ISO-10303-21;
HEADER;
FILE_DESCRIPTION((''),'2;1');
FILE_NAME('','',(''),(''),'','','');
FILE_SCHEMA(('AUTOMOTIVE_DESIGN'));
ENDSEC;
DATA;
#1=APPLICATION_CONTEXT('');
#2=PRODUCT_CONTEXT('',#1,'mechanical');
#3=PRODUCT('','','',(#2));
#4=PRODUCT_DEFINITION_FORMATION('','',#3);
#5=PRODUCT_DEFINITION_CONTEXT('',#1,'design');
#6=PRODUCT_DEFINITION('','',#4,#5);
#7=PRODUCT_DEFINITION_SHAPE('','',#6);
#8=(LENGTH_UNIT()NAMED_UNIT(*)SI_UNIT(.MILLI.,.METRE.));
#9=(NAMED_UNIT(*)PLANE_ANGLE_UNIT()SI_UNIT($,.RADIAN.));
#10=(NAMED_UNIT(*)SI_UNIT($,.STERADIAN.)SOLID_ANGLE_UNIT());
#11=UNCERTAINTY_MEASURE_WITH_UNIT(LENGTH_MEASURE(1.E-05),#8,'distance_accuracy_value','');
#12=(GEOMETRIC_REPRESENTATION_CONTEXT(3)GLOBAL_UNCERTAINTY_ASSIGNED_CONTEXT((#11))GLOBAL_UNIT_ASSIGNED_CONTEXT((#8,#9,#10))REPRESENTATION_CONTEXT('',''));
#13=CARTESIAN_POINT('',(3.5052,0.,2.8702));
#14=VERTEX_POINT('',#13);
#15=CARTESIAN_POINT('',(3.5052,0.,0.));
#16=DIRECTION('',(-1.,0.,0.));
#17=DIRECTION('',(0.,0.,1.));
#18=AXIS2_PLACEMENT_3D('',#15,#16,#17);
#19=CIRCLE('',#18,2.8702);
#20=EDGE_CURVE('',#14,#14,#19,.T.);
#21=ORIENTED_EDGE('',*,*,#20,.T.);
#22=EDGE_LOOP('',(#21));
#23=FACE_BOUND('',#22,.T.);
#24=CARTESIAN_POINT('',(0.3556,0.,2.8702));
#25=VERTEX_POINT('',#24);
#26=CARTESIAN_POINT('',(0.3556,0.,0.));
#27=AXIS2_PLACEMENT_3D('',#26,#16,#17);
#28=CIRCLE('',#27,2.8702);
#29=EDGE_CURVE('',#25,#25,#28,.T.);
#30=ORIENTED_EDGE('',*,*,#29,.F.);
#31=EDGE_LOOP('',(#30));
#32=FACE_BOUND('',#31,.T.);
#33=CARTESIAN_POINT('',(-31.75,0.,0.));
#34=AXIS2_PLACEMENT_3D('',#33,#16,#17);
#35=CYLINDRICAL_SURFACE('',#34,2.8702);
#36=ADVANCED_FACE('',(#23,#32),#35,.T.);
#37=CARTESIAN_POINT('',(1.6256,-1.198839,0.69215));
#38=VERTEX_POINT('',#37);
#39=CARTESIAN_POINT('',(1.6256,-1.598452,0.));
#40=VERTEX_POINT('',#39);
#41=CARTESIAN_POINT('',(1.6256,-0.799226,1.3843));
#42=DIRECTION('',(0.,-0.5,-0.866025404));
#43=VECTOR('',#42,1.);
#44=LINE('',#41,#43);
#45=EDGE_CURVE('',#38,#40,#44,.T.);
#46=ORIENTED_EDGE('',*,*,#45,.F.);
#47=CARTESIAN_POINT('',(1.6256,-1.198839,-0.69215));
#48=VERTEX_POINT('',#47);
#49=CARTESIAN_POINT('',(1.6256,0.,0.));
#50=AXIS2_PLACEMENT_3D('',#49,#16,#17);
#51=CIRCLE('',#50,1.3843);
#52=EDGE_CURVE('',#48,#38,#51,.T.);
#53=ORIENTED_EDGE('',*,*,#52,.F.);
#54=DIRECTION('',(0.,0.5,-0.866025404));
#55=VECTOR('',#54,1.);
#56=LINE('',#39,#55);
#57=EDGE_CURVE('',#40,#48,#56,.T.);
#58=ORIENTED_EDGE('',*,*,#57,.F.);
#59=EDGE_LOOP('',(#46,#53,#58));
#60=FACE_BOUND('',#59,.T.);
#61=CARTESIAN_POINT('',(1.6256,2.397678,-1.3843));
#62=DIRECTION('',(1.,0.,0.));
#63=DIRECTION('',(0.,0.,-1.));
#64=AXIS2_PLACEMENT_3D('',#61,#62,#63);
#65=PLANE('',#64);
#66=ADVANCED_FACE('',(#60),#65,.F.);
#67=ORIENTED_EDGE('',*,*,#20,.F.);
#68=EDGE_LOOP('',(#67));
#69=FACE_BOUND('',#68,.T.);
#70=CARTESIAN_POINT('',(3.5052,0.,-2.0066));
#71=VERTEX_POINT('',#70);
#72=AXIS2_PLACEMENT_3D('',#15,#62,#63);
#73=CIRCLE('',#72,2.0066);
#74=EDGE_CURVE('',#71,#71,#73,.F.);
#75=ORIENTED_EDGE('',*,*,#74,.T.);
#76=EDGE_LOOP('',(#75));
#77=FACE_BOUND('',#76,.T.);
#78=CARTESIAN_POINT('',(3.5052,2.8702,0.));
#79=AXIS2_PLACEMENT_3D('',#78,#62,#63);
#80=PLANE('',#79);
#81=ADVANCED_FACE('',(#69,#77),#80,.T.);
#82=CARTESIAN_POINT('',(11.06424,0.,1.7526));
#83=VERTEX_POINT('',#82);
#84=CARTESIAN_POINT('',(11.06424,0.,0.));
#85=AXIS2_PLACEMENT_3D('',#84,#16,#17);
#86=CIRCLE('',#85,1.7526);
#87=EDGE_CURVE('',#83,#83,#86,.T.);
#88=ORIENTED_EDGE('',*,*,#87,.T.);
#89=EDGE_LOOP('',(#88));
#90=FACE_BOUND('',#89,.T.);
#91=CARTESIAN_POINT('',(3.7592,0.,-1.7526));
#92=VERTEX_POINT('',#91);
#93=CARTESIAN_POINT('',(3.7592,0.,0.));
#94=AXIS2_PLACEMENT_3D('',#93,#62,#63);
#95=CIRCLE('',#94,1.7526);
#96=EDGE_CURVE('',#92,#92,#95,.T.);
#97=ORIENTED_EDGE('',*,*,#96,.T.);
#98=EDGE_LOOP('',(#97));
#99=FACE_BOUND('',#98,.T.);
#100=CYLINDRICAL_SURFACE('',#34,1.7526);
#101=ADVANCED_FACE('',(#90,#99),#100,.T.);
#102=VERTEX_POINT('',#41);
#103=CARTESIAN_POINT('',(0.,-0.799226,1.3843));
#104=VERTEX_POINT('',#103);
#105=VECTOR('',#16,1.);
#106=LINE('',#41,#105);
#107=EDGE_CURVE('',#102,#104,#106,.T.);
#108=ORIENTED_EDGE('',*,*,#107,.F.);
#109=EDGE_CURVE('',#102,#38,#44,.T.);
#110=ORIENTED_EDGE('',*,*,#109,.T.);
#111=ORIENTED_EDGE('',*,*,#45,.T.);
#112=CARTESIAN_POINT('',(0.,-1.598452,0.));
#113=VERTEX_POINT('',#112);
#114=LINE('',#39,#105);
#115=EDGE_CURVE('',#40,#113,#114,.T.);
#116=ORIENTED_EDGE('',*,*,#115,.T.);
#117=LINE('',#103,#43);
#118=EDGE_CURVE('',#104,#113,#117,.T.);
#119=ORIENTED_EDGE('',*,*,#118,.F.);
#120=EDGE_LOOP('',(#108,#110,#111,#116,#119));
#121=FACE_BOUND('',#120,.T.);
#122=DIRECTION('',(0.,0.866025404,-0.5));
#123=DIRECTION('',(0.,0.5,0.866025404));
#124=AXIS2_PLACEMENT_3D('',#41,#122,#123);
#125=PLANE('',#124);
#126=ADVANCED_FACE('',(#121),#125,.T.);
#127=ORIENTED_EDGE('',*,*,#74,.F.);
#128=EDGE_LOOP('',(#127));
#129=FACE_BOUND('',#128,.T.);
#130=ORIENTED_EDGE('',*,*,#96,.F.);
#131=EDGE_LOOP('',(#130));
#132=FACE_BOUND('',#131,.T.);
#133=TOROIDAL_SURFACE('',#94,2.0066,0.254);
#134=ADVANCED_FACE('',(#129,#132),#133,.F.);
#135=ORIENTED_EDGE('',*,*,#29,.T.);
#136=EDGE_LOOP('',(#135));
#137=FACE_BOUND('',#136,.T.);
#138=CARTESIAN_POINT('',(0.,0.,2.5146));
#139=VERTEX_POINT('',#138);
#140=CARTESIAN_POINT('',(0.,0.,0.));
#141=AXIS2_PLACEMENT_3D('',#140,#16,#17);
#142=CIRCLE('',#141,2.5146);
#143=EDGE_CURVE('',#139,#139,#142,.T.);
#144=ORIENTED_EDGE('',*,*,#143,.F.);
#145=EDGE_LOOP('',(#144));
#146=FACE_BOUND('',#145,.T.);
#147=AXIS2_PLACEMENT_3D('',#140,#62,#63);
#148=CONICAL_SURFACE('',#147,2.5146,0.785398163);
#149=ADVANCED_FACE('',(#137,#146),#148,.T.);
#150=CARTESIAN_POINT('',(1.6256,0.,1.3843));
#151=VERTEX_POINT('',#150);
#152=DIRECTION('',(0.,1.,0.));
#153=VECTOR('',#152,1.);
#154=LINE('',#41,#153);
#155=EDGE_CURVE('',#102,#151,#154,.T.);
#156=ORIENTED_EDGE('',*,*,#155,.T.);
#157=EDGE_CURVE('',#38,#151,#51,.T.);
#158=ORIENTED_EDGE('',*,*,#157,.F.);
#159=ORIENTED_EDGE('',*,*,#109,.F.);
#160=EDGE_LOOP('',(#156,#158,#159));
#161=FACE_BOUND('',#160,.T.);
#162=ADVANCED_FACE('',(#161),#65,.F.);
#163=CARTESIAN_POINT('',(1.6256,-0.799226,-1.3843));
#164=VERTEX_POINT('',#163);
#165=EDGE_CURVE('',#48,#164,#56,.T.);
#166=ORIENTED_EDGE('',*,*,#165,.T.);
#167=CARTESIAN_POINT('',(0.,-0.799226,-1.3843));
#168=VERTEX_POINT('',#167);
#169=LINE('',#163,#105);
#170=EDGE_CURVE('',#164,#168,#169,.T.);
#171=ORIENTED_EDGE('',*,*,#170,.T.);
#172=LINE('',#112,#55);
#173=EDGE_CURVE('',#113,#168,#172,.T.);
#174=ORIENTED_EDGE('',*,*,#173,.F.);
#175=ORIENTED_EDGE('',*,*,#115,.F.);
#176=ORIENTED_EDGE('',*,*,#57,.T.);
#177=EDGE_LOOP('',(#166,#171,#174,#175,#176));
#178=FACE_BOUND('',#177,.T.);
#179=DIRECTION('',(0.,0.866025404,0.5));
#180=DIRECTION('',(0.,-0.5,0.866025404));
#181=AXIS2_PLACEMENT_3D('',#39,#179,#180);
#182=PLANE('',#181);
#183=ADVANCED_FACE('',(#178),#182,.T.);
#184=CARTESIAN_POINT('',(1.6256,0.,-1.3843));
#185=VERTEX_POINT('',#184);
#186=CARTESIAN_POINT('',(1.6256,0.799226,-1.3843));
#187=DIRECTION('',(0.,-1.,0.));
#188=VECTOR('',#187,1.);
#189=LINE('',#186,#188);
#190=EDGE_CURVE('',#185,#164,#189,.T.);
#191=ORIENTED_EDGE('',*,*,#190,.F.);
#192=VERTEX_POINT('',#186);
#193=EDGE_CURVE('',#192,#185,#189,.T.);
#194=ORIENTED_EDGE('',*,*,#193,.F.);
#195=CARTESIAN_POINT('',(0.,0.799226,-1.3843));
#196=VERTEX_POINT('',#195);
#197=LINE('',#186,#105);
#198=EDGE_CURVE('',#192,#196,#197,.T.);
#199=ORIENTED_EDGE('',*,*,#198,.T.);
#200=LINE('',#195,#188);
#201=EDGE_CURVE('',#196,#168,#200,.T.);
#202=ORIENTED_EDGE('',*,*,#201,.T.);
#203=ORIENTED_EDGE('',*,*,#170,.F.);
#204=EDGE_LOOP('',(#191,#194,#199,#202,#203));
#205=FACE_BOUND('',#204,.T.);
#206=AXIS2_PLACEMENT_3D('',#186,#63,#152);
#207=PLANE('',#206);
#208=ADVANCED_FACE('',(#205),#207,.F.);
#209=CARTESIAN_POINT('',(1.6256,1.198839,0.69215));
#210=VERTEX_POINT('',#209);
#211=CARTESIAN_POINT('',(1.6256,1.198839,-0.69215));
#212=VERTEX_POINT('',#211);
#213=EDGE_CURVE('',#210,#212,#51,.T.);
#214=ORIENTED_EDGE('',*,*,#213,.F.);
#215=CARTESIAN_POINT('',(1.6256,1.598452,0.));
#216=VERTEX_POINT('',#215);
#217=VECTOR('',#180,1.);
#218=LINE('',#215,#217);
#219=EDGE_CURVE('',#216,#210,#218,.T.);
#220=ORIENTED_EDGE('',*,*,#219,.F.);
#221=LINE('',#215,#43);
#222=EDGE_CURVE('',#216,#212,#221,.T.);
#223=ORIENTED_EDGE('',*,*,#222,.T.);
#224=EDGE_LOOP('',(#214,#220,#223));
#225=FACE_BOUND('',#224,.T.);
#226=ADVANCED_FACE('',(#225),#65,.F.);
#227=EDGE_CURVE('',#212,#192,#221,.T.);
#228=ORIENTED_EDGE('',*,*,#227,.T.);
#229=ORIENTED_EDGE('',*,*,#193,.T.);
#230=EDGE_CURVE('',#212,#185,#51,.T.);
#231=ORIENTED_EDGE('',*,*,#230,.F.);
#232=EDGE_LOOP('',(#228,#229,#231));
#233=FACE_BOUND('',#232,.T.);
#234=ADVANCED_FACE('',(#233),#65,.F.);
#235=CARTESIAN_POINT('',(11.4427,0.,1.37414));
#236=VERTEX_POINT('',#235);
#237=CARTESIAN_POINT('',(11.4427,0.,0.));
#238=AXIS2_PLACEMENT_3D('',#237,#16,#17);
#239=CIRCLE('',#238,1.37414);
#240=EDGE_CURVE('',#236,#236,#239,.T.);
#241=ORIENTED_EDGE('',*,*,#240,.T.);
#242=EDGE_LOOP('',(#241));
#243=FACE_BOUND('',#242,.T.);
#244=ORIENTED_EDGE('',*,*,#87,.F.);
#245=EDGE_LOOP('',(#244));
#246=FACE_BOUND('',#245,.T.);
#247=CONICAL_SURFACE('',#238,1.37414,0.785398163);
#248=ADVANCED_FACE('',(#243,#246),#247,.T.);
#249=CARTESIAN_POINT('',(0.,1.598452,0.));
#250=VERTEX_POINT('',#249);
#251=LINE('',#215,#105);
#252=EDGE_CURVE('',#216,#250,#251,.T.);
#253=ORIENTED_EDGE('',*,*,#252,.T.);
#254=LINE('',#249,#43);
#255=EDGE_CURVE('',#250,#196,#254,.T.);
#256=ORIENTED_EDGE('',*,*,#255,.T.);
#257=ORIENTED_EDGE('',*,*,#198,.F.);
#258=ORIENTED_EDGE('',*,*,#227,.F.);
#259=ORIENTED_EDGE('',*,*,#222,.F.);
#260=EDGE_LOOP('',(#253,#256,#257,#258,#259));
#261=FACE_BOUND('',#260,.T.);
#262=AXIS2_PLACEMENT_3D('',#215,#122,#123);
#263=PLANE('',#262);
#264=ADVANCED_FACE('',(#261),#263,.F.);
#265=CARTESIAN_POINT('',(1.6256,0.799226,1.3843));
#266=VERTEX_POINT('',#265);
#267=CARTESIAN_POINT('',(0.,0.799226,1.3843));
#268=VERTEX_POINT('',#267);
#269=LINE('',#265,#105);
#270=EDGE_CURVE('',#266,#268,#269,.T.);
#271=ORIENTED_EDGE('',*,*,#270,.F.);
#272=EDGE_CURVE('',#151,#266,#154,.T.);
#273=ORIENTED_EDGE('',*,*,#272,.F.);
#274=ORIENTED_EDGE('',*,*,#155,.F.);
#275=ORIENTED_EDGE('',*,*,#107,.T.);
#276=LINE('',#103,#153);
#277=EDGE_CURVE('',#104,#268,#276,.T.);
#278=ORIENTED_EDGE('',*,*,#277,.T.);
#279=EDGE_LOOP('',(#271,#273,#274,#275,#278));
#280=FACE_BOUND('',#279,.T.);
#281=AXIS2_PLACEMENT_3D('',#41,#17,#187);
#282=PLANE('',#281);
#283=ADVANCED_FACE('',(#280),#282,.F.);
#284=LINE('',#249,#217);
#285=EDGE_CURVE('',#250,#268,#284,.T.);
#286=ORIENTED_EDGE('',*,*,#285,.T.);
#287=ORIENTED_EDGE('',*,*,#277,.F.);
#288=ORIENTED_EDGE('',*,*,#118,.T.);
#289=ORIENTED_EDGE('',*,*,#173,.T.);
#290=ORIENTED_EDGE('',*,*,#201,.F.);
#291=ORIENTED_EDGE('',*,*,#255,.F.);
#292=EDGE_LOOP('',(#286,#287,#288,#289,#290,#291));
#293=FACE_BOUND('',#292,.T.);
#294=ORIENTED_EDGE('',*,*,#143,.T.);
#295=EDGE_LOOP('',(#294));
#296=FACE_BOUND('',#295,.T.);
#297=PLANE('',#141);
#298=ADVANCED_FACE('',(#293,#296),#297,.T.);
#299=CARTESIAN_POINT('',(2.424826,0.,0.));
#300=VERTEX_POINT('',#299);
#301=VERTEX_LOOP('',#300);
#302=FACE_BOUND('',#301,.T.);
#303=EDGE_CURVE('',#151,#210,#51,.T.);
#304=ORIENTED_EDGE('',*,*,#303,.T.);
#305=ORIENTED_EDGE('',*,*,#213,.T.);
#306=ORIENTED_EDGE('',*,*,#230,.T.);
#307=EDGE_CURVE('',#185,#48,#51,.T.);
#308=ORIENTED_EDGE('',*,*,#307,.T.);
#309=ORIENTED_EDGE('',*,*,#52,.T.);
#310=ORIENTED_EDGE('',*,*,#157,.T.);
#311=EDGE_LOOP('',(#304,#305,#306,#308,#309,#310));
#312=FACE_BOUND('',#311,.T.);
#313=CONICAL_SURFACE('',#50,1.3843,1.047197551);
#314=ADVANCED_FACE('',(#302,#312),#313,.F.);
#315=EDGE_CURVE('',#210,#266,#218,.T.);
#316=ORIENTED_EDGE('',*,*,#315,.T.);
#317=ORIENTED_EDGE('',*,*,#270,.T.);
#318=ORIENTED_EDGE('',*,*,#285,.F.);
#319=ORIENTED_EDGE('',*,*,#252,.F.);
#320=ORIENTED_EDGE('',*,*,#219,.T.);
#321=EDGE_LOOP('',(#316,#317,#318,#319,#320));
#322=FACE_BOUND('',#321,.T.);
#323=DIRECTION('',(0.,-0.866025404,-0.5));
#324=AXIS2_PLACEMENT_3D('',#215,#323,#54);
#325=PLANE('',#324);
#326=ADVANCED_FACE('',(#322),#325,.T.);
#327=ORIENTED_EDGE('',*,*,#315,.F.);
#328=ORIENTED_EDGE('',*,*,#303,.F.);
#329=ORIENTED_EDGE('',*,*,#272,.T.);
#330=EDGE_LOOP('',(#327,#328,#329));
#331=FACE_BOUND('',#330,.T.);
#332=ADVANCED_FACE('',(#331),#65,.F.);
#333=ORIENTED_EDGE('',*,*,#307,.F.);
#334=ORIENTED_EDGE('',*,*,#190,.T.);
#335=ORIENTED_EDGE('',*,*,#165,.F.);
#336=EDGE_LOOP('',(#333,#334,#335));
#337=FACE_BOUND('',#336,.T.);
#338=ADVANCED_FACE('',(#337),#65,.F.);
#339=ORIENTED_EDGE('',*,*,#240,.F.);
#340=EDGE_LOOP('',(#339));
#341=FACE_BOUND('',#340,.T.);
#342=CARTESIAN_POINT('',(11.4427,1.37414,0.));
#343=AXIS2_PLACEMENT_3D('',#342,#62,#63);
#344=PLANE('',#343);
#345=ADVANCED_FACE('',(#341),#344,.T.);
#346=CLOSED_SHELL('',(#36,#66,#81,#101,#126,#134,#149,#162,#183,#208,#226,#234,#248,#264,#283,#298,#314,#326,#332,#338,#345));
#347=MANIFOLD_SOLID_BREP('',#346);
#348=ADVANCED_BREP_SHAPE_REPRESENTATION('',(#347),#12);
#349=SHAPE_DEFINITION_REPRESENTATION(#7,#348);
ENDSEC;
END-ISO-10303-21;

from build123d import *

# Parameters (mm, degrees)
FILLET1_R   = 0.254
HEX_2_DEPTH = 1.6256


with BuildPart() as part:
    # BodySke → Base-Revolve (revolve)
    with BuildSketch(Plane.XY):
        Polygon((0, 0), (0, 2.5146), (0.3556, 2.8702), (3.5052, 2.8702), (3.5052, 1.7526), (11.06424, 1.7526), (11.4427, 1.37414), (11.4427, 0), align=None)
    revolve(axis=Axis((-31.75, 0, 0), (1, 0, 0)))

    # Fillet1
    fillet1_edges = [part.edges().sort_by_distance(p)[0] for p in [
        (3.5052, -1.7526, 0),
    ]]
    fillet(fillet1_edges, radius=FILLET1_R)

    # Sketch2 → Hex-PreBroach (revolve, cut)
    with BuildSketch(Plane.XY):
        Polygon((0, 1.3843), (1.6256, 1.3843), (2.424825978, 0), (0, 0), align=None)
    revolve(axis=Axis((0, 0, 0), (1, 0, 0)), mode=Mode.SUBTRACT)

    # Sketch3 → Hex 2 (cut)
    with BuildSketch(Plane(origin=(0, 0, 0), x_dir=(0, 0.5, 0.866025404), z_dir=(-1, 0, 0))):
        Polygon((0.799225978, 1.3843), (-0.799225978, 1.3843), (-1.598451955, 0), (-0.799225978, -1.3843), (0.799225978, -1.3843), (1.598451955, 0), align=None)
    extrude(amount=-HEX_2_DEPTH, mode=Mode.SUBTRACT)


solid = part.part
